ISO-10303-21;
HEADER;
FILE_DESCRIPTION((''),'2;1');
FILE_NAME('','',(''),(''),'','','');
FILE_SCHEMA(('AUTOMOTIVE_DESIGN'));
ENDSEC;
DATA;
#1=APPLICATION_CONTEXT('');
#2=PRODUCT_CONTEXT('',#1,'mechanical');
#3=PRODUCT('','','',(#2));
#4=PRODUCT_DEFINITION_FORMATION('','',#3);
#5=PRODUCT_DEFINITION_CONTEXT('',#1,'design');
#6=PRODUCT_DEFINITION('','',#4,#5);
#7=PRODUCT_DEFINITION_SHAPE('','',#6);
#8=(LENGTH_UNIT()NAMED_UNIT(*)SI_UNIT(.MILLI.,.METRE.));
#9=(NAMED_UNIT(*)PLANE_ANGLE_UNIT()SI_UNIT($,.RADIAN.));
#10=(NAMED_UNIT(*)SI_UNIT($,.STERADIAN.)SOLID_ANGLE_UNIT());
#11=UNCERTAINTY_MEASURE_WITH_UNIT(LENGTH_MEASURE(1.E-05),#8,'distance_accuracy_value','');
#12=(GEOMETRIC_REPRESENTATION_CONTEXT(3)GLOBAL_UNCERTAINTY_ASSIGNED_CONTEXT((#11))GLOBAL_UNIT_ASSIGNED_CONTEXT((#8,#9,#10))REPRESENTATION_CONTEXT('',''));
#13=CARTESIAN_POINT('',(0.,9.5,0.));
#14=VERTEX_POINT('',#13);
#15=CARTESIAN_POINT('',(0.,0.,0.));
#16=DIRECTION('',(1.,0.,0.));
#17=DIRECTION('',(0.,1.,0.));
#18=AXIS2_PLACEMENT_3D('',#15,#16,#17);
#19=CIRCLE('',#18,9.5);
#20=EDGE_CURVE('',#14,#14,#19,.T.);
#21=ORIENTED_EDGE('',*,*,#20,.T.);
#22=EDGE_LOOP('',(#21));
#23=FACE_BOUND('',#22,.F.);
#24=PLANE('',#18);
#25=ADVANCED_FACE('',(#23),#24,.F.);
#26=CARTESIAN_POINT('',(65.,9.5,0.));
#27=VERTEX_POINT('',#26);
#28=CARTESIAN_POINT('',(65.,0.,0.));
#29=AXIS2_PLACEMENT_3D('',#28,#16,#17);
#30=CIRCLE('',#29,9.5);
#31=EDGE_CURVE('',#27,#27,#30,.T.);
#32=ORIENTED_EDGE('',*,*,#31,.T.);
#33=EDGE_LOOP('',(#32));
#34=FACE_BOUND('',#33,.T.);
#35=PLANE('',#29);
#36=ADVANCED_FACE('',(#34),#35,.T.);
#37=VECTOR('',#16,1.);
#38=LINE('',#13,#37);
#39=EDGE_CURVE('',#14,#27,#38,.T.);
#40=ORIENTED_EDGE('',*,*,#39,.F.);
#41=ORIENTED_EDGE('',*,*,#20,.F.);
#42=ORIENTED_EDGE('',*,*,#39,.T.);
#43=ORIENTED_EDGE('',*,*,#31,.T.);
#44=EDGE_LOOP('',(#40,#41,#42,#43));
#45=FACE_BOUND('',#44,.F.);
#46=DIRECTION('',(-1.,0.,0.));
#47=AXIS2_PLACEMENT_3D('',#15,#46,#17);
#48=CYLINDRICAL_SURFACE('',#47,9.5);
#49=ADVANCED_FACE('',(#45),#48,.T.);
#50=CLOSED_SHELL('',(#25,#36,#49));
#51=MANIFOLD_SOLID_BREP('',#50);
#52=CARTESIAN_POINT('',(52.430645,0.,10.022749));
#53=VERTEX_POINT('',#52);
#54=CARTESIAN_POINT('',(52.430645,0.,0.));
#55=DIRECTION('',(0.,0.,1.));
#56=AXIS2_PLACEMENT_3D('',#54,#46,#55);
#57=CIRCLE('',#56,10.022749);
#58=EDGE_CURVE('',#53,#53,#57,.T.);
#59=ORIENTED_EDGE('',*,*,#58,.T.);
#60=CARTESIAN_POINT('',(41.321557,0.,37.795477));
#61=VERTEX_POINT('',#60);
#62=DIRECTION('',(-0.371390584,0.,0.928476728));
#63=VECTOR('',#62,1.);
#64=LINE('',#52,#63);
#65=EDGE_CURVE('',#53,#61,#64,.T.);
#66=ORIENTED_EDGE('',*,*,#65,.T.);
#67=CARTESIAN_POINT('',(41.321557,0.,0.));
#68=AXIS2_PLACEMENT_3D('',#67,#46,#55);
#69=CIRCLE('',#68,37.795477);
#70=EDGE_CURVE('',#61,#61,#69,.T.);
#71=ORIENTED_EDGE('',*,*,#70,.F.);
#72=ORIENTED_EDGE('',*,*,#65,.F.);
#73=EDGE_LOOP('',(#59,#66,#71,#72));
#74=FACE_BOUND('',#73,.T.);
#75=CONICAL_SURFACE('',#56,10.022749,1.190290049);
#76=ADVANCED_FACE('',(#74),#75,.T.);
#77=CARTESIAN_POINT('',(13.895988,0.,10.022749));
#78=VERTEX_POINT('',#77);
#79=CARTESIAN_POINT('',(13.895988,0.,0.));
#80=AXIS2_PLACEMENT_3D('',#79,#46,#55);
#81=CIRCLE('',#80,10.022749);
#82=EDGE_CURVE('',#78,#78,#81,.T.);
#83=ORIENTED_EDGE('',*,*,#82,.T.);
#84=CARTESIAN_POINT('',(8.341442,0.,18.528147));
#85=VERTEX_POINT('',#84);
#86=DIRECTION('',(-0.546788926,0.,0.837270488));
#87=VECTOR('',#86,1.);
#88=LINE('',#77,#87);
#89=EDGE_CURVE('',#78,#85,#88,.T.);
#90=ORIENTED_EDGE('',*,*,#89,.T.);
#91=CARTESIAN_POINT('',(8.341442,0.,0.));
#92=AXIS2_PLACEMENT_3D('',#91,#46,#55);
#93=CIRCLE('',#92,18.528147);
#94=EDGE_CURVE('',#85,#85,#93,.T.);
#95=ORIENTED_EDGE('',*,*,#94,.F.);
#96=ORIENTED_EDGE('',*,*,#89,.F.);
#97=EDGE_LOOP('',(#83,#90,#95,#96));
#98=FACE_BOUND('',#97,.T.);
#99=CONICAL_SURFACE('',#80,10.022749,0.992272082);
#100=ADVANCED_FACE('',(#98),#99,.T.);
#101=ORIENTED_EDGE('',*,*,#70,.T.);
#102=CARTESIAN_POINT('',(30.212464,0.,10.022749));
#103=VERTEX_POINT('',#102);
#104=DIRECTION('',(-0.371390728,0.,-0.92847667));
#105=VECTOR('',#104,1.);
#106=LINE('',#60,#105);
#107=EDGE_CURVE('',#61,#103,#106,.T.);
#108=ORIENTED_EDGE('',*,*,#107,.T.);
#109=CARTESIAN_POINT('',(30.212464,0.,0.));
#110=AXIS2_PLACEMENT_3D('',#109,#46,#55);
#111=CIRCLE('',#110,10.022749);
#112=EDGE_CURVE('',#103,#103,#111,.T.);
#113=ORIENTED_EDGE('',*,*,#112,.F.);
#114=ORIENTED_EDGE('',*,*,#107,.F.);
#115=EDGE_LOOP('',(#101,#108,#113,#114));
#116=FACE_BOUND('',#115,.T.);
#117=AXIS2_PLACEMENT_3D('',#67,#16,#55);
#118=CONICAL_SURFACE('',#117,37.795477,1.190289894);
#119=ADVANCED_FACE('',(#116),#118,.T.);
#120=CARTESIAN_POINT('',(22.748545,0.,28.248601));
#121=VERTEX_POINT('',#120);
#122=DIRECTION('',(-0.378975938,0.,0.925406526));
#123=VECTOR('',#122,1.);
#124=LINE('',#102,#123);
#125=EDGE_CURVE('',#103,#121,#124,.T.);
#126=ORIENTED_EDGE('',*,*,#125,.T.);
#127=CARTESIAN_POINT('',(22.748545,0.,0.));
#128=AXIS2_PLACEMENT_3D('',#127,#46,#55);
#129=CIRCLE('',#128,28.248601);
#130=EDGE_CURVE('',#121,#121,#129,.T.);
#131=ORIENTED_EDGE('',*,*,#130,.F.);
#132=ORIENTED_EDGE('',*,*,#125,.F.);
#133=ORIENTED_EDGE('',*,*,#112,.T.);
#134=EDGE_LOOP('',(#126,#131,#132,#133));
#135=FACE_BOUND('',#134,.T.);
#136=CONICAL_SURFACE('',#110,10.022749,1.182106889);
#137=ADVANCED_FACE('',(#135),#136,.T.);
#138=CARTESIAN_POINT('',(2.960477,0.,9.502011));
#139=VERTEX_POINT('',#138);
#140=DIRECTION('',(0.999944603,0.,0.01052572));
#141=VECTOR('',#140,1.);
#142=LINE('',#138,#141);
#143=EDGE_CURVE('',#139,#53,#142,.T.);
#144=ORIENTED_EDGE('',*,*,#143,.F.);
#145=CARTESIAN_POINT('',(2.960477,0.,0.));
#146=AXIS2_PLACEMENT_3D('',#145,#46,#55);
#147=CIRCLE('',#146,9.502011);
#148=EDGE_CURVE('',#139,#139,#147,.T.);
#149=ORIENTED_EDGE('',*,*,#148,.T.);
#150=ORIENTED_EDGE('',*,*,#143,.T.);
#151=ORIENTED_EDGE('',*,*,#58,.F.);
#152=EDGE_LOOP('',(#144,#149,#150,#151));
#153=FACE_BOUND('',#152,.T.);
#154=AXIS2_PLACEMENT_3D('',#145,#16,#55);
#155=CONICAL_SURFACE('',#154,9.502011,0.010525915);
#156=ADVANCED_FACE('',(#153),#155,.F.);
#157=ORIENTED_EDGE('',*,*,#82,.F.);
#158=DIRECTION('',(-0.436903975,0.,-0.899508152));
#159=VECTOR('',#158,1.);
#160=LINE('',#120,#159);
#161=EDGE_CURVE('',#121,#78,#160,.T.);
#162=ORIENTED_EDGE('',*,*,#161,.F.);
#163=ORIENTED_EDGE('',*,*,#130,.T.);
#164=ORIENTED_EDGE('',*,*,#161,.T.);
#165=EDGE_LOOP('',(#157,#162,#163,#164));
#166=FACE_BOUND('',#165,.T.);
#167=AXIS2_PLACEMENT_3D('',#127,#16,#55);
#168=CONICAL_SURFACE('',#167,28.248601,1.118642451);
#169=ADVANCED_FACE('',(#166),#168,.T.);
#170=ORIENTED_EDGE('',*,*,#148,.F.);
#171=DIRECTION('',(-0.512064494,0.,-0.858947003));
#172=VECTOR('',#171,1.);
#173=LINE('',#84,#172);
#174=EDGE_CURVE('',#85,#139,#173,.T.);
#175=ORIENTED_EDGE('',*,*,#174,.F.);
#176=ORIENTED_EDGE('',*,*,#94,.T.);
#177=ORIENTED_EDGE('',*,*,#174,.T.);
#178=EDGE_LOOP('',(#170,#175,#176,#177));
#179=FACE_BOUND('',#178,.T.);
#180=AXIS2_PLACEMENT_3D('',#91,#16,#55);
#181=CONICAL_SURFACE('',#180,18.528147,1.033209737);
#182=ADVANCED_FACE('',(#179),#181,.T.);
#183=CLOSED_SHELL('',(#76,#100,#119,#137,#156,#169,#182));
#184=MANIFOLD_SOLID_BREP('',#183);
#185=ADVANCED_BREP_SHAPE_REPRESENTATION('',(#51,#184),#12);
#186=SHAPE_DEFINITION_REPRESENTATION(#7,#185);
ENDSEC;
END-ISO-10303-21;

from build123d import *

# Parameters (mm, degrees)
F0_R     = 9.5
F1_DEPTH = 65


with BuildPart() as f1:
    # F0 (on Right) → F1 (new body)
    with BuildSketch(Plane.YZ):
        Circle(F0_R)
    extrude(amount=F1_DEPTH)


with BuildPart() as f3:
    # F2 (on Front) → F3 (revolve)
    with BuildSketch(Plane.XZ):
        Polygon((8.341442, 18.528147), (2.960477, 9.502011), (52.430645, 10.022749), (41.321557, 37.795477), (30.212464, 10.022749), (22.748545, 28.248601), (13.895988, 10.022749), align=None)
    revolve(axis=Axis((0, 0, 0), (-1, 0, 0)))


solid = Compound([f1.part, f3.part])
